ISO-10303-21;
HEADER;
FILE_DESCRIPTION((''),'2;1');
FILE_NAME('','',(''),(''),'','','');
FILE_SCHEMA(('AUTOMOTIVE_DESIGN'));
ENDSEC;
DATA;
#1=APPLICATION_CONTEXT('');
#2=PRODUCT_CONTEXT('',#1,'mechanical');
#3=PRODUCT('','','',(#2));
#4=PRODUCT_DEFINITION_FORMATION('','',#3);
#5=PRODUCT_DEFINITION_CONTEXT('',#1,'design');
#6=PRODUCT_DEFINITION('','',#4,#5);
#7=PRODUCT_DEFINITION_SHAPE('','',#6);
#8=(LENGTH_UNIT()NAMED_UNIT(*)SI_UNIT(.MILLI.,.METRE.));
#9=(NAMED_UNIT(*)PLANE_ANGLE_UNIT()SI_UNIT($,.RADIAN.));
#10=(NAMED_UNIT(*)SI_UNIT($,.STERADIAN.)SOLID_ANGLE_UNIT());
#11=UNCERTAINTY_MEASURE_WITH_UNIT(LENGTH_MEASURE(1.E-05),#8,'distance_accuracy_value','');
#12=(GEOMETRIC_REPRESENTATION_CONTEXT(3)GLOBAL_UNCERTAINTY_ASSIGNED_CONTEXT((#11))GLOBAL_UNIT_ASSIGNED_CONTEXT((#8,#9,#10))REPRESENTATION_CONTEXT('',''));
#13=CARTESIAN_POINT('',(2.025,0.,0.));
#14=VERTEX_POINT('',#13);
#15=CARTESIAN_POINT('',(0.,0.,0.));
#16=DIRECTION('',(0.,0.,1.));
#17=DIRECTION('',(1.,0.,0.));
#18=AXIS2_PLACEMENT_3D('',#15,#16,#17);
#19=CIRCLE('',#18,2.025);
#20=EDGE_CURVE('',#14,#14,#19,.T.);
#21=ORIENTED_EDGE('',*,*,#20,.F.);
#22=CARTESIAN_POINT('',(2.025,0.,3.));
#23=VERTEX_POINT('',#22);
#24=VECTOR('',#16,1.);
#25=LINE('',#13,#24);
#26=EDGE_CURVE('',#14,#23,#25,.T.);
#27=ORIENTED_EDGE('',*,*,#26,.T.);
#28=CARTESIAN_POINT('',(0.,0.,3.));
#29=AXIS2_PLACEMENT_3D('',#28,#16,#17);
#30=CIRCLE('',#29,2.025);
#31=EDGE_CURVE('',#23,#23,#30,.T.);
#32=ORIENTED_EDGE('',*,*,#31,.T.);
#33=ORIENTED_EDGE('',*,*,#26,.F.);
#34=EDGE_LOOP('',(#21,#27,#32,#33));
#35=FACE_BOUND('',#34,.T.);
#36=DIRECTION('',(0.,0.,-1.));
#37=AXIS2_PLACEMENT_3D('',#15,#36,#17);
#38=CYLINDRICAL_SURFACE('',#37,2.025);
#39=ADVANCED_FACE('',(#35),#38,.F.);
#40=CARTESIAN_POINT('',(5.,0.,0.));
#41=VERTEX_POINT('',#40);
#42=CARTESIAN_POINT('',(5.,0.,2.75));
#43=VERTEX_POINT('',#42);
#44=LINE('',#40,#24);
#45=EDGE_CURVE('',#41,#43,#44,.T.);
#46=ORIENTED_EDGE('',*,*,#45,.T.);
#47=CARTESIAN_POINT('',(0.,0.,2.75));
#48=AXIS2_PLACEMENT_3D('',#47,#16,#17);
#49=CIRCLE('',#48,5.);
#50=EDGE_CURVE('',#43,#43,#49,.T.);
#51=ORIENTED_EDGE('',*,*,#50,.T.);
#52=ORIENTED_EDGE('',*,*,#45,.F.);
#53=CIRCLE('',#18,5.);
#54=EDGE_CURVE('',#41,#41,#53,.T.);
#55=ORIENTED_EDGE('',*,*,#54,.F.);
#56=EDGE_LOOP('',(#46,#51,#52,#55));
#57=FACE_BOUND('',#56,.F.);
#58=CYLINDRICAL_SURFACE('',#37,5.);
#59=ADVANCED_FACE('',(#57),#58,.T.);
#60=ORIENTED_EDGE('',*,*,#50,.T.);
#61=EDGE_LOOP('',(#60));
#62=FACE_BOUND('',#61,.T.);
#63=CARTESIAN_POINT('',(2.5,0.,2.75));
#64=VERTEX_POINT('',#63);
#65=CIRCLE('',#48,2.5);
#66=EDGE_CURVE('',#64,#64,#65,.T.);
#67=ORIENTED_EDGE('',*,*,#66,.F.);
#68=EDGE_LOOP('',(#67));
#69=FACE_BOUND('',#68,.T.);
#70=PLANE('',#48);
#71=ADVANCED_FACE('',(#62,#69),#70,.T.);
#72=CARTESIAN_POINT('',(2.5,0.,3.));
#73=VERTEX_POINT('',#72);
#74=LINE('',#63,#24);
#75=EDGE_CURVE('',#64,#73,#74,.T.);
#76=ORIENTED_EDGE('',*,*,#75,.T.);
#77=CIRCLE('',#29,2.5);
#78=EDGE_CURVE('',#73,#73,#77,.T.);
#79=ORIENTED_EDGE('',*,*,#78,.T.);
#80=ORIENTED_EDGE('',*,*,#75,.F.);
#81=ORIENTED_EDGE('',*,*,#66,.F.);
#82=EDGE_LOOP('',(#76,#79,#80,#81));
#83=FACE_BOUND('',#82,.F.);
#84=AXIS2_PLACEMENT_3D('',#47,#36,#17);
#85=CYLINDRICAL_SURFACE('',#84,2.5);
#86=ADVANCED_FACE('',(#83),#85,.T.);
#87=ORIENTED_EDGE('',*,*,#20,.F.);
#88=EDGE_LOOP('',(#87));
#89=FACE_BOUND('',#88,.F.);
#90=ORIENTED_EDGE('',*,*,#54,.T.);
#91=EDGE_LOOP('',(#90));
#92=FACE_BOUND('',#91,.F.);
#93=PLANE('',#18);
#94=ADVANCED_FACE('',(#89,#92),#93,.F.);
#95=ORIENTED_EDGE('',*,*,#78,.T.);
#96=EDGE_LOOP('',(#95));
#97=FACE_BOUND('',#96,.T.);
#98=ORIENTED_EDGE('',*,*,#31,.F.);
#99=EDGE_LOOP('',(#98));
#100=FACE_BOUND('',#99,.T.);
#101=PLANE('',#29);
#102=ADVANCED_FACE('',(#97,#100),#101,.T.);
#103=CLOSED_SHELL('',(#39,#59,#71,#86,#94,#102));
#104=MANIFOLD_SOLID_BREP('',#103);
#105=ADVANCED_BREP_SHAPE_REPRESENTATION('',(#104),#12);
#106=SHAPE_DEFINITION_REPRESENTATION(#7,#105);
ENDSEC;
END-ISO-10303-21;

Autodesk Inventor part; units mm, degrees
ref_plane "YZ Plane" through (0, 0, 0) normal (1, 0, 0) x (0, 1, 0)
ref_plane "XZ Plane" through (0, 0, 0) normal (0, 1, 0) x (-1, 0, 0)
ref_plane "XY Plane" through (0, 0, 0) normal (0, 0, 1) x (1, 0, 0)
sketch "スケッチ1" plane through (0, 0, 0) normal (0, 0, 1) x (1, 0, 0)
  circle A0 centre (0, 0) radius 5
  circle A1 centre (0, 0) radius 2.025
  dimension "d0" = 10
  dimension "d1" = 4.05
extrude "押し出し1" add sketch "スケッチ1" along normal blind 2.75
sketch "スケッチ2" plane through (0, 0, 2.75) normal (0, 0, 1) x (1, 0, 0)
  circle A0 centre (0, 0) radius 5 projected
  circle A1 centre (0, 0) radius 2.025 projected
  circle A2 centre (0, 0) radius 2.5
  dimension "d4" = 5
extrude "押し出し2" add sketch "スケッチ2" along normal blind 0.25 contours A2
properties part number "1ギア補強材" material "アルミニウム 2014-T4"
